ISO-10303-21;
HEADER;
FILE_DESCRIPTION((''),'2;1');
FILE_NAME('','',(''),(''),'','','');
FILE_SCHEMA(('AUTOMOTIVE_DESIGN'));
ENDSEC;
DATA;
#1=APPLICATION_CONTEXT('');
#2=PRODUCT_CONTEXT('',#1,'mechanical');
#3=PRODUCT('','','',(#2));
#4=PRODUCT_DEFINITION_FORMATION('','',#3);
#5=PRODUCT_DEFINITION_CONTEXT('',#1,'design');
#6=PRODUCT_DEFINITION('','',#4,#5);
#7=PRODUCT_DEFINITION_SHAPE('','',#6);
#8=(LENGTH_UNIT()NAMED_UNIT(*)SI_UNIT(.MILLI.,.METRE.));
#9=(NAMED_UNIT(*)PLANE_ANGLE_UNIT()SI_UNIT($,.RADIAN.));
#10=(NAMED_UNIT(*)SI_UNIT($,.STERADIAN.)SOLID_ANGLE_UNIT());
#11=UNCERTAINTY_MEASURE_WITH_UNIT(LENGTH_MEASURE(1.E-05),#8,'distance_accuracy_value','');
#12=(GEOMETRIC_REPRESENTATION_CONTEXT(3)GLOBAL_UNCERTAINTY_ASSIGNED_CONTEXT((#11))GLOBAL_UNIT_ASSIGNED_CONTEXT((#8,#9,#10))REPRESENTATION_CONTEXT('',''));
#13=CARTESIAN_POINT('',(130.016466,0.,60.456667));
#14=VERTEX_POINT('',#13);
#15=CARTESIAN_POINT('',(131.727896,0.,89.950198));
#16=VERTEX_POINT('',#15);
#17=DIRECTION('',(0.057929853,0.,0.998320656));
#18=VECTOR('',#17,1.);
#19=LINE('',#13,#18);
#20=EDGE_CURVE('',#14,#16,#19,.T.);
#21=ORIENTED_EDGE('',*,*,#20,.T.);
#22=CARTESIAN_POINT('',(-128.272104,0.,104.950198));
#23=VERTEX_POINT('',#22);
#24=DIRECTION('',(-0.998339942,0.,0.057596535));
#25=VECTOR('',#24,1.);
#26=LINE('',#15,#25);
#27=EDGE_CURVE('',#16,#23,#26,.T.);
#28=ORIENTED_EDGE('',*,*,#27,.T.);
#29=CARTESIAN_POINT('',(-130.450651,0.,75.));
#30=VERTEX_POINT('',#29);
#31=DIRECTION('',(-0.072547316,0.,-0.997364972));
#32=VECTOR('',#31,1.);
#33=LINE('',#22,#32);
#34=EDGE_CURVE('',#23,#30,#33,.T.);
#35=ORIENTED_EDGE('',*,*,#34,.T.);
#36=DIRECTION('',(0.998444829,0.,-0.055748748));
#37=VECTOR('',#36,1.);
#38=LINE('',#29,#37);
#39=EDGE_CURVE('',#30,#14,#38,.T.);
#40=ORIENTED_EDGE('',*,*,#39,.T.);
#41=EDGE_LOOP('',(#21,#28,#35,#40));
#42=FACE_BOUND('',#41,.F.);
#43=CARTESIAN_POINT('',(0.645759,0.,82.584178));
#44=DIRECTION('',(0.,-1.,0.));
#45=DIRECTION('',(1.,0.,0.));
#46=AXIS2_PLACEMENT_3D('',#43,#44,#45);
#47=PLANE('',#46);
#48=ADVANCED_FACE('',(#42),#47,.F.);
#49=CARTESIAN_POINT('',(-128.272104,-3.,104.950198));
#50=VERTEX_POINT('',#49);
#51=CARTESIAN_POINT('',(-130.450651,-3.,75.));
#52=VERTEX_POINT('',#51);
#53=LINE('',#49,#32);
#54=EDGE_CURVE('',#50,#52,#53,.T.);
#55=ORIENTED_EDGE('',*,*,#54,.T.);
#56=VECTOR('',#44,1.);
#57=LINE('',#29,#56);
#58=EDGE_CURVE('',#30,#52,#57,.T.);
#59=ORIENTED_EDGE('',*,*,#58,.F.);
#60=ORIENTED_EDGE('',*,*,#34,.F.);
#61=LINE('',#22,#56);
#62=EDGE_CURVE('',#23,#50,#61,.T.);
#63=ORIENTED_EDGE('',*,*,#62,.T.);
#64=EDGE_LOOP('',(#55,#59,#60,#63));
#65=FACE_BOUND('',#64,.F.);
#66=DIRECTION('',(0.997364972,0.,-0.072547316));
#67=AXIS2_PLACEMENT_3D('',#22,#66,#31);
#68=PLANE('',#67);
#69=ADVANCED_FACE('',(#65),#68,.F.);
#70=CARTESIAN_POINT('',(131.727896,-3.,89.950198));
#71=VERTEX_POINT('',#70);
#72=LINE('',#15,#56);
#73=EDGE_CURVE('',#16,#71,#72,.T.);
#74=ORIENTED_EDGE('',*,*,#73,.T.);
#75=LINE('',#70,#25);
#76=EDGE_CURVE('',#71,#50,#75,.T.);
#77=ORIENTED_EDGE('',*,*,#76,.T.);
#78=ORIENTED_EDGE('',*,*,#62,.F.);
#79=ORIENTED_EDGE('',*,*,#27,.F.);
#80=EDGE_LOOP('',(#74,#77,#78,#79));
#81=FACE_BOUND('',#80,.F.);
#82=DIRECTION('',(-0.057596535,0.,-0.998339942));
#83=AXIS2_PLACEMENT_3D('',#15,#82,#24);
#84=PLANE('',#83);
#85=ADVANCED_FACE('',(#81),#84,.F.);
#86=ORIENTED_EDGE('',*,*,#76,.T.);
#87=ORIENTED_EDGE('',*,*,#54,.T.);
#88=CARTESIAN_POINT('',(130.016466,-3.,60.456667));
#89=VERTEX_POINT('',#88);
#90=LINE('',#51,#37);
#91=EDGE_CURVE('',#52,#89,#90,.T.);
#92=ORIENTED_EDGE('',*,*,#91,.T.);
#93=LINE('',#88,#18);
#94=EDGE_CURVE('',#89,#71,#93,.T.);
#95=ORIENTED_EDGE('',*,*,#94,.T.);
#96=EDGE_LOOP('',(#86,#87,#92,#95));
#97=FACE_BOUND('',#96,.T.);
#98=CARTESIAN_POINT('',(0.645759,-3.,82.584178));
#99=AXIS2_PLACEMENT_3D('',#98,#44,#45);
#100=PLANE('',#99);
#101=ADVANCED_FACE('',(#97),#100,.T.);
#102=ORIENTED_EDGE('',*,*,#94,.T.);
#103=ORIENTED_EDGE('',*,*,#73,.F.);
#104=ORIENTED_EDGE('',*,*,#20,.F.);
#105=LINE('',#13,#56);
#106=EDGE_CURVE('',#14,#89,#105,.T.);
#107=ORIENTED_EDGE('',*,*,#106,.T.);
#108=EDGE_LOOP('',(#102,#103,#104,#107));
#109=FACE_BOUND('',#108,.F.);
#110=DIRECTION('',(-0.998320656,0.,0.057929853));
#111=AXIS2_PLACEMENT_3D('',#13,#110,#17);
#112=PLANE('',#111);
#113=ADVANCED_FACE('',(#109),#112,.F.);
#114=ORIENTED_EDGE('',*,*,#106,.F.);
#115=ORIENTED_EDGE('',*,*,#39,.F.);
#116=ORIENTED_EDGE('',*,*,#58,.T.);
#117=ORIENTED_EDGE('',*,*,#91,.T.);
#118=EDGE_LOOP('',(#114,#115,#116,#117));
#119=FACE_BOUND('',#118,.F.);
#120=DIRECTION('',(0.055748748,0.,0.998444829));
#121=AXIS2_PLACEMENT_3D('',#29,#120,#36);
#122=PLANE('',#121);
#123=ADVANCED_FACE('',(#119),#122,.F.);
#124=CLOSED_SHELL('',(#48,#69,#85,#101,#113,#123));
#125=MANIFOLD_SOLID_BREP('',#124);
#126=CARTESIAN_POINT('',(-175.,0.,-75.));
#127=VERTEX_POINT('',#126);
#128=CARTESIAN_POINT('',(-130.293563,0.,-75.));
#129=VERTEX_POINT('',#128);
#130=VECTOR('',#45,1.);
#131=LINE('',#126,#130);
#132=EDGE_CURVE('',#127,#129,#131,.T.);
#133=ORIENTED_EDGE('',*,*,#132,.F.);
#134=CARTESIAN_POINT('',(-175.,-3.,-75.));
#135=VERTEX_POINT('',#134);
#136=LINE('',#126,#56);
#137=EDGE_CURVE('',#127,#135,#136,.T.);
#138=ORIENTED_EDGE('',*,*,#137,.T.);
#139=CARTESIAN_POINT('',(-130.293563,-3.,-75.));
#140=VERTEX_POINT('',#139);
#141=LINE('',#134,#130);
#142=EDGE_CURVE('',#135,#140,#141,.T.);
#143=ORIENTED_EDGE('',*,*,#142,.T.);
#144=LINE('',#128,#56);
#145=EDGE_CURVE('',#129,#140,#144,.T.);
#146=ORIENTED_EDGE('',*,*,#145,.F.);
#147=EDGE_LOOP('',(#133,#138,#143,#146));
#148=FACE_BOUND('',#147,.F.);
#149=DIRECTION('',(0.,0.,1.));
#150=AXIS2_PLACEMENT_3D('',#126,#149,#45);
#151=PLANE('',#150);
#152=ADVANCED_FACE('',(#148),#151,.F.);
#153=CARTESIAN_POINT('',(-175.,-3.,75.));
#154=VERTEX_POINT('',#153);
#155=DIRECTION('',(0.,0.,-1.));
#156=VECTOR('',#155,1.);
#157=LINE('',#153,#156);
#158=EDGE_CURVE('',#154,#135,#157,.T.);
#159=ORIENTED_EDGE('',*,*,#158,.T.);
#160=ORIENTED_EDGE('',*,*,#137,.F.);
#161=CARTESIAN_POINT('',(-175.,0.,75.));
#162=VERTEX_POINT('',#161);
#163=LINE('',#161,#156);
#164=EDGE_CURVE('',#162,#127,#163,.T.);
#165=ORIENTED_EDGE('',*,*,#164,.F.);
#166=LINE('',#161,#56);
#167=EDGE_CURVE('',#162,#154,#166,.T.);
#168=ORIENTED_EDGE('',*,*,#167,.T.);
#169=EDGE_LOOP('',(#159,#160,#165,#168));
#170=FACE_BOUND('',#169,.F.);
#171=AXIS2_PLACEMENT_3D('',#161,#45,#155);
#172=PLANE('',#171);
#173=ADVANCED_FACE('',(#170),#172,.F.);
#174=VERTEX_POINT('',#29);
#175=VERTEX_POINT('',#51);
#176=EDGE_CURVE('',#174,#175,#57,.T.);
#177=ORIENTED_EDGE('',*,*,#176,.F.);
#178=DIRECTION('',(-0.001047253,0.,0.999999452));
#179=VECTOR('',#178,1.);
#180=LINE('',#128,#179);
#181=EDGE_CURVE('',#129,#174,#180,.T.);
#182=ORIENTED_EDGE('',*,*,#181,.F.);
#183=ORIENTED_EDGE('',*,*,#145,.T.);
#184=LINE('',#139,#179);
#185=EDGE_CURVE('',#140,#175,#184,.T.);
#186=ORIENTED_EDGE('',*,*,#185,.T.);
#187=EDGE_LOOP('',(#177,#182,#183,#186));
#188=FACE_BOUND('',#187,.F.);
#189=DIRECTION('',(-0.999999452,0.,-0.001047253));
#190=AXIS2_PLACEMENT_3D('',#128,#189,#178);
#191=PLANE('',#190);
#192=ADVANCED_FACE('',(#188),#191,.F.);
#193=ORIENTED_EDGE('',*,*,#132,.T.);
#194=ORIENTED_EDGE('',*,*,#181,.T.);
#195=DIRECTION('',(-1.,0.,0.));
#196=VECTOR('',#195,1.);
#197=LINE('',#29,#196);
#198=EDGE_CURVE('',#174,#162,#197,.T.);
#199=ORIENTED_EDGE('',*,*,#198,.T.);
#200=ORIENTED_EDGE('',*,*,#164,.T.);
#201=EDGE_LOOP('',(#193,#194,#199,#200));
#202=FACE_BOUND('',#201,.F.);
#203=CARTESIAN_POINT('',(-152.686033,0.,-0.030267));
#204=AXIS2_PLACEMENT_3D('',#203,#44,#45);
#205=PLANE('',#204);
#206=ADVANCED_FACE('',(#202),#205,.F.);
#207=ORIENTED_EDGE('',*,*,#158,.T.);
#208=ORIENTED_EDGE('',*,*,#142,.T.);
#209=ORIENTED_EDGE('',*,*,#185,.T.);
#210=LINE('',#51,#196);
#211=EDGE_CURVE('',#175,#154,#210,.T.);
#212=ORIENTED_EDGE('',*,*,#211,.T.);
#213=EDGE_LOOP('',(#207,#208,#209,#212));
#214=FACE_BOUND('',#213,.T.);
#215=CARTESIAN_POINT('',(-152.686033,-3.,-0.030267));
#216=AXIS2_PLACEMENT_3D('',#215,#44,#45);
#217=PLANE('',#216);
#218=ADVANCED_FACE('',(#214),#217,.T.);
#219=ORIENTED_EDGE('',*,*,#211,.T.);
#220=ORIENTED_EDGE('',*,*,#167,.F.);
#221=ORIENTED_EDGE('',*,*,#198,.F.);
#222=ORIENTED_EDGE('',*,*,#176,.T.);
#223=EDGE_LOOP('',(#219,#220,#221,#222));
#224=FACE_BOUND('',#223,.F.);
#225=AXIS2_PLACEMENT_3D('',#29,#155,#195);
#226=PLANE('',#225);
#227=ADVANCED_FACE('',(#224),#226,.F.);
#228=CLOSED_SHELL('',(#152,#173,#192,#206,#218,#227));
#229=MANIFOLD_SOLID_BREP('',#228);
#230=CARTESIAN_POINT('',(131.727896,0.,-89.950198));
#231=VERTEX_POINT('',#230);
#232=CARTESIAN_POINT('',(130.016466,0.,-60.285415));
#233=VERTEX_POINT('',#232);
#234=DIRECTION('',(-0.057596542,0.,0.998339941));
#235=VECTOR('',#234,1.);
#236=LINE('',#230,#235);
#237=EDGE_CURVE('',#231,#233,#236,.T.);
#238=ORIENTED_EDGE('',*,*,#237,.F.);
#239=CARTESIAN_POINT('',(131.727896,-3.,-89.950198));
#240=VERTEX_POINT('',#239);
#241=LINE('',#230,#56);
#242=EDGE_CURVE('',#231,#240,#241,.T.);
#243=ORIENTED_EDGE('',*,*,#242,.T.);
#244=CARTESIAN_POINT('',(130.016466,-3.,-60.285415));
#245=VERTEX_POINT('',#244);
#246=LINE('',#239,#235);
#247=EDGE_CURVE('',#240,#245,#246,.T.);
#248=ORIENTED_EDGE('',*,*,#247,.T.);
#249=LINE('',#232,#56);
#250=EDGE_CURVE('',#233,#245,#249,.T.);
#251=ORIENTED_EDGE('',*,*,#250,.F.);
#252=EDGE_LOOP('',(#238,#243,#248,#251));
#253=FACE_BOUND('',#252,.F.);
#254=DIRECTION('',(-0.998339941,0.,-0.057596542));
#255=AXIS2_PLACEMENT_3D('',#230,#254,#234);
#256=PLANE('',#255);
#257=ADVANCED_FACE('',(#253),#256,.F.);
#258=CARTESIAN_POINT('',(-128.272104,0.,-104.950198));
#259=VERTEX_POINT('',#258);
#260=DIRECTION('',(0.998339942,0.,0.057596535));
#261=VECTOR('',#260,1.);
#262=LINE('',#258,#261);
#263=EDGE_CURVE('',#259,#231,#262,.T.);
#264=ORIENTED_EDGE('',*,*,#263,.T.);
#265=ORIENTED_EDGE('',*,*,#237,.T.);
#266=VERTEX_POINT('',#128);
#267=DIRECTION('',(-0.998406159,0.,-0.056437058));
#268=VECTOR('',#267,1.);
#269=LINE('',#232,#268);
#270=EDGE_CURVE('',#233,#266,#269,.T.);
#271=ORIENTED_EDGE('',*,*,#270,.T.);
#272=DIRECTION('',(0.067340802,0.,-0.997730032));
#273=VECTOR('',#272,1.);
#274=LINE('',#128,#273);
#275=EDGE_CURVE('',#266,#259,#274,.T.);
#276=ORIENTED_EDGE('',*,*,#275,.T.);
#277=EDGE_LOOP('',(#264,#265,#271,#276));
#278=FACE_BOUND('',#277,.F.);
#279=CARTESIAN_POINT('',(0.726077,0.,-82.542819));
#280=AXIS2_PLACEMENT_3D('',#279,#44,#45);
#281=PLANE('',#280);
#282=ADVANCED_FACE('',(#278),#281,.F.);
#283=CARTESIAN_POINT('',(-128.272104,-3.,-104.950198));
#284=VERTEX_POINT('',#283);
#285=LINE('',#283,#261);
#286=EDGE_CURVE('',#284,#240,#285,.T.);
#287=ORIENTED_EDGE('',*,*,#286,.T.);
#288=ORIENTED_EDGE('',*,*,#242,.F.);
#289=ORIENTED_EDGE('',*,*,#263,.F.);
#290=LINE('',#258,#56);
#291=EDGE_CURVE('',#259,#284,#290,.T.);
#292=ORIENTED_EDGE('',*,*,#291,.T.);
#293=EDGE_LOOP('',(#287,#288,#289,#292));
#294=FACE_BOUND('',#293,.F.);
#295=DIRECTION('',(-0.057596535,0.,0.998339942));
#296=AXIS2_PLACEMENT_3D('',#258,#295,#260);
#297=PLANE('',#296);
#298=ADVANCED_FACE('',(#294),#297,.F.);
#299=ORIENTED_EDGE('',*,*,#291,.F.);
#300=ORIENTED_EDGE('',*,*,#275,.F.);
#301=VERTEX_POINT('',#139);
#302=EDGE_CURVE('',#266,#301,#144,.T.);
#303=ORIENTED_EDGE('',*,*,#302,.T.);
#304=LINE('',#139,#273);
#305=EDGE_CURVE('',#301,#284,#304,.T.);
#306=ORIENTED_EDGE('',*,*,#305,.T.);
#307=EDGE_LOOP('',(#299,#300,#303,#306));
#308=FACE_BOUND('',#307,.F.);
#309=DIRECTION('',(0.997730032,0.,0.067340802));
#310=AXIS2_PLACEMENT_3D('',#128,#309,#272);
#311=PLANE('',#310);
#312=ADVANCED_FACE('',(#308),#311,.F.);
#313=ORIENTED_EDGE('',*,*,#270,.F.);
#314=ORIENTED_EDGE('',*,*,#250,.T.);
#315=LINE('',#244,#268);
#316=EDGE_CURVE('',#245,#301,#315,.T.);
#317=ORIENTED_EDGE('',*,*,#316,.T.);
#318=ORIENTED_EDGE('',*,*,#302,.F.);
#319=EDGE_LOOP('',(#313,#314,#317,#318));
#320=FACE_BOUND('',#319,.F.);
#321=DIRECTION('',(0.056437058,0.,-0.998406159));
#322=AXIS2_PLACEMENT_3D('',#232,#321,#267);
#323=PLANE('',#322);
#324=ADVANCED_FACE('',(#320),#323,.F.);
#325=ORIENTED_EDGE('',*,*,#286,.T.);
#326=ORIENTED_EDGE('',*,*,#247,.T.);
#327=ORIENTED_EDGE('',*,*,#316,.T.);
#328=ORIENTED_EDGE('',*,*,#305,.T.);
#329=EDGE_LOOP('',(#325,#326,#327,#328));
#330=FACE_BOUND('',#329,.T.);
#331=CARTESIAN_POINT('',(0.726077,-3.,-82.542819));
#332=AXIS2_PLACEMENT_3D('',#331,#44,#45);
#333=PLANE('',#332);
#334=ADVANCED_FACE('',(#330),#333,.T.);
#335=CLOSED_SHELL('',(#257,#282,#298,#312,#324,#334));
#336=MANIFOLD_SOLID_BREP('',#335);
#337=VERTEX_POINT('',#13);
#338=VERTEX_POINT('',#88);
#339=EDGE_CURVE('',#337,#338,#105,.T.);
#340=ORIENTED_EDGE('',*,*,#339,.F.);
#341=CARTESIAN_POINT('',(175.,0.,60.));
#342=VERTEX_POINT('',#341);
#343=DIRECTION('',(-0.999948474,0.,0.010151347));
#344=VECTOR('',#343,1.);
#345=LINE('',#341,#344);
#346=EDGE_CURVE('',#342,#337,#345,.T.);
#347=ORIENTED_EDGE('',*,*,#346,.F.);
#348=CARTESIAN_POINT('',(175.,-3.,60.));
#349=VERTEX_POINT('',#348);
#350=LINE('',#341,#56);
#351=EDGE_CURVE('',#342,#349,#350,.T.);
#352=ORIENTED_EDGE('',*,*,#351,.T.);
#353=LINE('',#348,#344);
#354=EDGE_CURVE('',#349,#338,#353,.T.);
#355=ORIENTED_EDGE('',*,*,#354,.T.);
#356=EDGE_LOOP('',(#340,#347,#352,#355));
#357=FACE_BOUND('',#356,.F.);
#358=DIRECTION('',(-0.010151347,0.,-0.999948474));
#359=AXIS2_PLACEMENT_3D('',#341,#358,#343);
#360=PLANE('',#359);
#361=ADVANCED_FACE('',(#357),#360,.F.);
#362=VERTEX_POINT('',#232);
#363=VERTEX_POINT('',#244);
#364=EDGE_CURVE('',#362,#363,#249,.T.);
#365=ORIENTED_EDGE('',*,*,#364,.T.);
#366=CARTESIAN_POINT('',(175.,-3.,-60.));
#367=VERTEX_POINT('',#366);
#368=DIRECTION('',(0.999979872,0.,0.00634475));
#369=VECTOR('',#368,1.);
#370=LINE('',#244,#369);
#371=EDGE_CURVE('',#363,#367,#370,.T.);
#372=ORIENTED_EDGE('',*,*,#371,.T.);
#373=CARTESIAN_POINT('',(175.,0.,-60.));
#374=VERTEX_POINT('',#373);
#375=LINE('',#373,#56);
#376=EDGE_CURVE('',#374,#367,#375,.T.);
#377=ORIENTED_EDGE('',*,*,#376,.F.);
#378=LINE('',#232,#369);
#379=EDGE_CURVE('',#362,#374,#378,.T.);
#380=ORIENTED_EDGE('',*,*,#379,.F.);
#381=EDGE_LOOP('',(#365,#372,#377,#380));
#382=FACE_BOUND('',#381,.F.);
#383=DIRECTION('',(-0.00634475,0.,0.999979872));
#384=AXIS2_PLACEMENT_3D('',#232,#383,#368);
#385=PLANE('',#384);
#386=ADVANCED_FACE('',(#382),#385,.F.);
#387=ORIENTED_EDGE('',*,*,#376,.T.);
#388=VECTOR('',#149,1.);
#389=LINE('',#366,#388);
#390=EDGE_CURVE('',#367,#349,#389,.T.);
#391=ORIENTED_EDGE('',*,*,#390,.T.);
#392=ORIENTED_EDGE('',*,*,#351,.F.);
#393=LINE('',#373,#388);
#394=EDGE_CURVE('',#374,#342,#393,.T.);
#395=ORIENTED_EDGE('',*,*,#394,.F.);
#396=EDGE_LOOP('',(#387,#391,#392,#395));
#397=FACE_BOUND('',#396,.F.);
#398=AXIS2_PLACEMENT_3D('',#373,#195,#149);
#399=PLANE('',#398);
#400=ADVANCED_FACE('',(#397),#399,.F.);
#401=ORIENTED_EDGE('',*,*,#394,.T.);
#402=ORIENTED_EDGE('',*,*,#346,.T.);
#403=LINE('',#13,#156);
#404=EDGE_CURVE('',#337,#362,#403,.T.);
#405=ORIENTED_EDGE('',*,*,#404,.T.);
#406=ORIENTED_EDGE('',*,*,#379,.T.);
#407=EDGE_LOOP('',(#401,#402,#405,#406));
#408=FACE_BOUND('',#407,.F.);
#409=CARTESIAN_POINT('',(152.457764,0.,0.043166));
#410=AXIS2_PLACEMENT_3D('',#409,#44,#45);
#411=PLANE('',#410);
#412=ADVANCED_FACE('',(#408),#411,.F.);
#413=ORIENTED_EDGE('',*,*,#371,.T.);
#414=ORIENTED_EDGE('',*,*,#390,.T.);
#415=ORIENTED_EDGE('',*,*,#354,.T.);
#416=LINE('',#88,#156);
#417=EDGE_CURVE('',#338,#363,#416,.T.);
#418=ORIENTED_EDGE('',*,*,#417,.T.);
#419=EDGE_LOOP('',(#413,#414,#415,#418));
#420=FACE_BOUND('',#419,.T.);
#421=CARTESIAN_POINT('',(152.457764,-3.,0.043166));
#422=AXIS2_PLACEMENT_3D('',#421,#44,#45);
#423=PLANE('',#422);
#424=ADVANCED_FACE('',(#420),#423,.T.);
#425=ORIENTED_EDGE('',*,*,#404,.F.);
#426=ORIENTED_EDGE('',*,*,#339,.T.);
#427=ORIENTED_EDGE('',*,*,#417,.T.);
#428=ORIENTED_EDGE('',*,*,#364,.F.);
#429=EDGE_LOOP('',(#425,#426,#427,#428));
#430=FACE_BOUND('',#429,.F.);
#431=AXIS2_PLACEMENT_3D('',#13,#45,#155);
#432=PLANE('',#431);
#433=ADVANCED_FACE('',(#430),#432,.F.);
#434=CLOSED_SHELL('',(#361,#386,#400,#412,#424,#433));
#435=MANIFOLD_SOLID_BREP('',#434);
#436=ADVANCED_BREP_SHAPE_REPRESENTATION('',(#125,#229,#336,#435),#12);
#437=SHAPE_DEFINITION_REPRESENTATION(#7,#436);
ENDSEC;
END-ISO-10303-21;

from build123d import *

# Parameters (mm, degrees)
F1_DEPTH = 3


with BuildPart() as f1:
    # F0 (on Front) → F1 (new body)
    with BuildSketch(Plane.XZ):
        Polygon((130.016466, 60.456667), (131.727896, 89.950198), (-128.272104, 104.950198), (-130.450651, 75), align=None)
        Polygon((-130.293563, -75), (-130.450651, 75), (-175, 75), (-175, -75), align=None)
        Polygon((131.727896, -89.950198), (130.016466, -60.285415), (-130.293563, -75), (-128.272104, -104.950198), align=None)
        Polygon((175, 60), (130.016466, 60.456667), (130.016466, -60.285415), (175, -60), align=None)
    extrude(amount=F1_DEPTH)


solid = f1.part
